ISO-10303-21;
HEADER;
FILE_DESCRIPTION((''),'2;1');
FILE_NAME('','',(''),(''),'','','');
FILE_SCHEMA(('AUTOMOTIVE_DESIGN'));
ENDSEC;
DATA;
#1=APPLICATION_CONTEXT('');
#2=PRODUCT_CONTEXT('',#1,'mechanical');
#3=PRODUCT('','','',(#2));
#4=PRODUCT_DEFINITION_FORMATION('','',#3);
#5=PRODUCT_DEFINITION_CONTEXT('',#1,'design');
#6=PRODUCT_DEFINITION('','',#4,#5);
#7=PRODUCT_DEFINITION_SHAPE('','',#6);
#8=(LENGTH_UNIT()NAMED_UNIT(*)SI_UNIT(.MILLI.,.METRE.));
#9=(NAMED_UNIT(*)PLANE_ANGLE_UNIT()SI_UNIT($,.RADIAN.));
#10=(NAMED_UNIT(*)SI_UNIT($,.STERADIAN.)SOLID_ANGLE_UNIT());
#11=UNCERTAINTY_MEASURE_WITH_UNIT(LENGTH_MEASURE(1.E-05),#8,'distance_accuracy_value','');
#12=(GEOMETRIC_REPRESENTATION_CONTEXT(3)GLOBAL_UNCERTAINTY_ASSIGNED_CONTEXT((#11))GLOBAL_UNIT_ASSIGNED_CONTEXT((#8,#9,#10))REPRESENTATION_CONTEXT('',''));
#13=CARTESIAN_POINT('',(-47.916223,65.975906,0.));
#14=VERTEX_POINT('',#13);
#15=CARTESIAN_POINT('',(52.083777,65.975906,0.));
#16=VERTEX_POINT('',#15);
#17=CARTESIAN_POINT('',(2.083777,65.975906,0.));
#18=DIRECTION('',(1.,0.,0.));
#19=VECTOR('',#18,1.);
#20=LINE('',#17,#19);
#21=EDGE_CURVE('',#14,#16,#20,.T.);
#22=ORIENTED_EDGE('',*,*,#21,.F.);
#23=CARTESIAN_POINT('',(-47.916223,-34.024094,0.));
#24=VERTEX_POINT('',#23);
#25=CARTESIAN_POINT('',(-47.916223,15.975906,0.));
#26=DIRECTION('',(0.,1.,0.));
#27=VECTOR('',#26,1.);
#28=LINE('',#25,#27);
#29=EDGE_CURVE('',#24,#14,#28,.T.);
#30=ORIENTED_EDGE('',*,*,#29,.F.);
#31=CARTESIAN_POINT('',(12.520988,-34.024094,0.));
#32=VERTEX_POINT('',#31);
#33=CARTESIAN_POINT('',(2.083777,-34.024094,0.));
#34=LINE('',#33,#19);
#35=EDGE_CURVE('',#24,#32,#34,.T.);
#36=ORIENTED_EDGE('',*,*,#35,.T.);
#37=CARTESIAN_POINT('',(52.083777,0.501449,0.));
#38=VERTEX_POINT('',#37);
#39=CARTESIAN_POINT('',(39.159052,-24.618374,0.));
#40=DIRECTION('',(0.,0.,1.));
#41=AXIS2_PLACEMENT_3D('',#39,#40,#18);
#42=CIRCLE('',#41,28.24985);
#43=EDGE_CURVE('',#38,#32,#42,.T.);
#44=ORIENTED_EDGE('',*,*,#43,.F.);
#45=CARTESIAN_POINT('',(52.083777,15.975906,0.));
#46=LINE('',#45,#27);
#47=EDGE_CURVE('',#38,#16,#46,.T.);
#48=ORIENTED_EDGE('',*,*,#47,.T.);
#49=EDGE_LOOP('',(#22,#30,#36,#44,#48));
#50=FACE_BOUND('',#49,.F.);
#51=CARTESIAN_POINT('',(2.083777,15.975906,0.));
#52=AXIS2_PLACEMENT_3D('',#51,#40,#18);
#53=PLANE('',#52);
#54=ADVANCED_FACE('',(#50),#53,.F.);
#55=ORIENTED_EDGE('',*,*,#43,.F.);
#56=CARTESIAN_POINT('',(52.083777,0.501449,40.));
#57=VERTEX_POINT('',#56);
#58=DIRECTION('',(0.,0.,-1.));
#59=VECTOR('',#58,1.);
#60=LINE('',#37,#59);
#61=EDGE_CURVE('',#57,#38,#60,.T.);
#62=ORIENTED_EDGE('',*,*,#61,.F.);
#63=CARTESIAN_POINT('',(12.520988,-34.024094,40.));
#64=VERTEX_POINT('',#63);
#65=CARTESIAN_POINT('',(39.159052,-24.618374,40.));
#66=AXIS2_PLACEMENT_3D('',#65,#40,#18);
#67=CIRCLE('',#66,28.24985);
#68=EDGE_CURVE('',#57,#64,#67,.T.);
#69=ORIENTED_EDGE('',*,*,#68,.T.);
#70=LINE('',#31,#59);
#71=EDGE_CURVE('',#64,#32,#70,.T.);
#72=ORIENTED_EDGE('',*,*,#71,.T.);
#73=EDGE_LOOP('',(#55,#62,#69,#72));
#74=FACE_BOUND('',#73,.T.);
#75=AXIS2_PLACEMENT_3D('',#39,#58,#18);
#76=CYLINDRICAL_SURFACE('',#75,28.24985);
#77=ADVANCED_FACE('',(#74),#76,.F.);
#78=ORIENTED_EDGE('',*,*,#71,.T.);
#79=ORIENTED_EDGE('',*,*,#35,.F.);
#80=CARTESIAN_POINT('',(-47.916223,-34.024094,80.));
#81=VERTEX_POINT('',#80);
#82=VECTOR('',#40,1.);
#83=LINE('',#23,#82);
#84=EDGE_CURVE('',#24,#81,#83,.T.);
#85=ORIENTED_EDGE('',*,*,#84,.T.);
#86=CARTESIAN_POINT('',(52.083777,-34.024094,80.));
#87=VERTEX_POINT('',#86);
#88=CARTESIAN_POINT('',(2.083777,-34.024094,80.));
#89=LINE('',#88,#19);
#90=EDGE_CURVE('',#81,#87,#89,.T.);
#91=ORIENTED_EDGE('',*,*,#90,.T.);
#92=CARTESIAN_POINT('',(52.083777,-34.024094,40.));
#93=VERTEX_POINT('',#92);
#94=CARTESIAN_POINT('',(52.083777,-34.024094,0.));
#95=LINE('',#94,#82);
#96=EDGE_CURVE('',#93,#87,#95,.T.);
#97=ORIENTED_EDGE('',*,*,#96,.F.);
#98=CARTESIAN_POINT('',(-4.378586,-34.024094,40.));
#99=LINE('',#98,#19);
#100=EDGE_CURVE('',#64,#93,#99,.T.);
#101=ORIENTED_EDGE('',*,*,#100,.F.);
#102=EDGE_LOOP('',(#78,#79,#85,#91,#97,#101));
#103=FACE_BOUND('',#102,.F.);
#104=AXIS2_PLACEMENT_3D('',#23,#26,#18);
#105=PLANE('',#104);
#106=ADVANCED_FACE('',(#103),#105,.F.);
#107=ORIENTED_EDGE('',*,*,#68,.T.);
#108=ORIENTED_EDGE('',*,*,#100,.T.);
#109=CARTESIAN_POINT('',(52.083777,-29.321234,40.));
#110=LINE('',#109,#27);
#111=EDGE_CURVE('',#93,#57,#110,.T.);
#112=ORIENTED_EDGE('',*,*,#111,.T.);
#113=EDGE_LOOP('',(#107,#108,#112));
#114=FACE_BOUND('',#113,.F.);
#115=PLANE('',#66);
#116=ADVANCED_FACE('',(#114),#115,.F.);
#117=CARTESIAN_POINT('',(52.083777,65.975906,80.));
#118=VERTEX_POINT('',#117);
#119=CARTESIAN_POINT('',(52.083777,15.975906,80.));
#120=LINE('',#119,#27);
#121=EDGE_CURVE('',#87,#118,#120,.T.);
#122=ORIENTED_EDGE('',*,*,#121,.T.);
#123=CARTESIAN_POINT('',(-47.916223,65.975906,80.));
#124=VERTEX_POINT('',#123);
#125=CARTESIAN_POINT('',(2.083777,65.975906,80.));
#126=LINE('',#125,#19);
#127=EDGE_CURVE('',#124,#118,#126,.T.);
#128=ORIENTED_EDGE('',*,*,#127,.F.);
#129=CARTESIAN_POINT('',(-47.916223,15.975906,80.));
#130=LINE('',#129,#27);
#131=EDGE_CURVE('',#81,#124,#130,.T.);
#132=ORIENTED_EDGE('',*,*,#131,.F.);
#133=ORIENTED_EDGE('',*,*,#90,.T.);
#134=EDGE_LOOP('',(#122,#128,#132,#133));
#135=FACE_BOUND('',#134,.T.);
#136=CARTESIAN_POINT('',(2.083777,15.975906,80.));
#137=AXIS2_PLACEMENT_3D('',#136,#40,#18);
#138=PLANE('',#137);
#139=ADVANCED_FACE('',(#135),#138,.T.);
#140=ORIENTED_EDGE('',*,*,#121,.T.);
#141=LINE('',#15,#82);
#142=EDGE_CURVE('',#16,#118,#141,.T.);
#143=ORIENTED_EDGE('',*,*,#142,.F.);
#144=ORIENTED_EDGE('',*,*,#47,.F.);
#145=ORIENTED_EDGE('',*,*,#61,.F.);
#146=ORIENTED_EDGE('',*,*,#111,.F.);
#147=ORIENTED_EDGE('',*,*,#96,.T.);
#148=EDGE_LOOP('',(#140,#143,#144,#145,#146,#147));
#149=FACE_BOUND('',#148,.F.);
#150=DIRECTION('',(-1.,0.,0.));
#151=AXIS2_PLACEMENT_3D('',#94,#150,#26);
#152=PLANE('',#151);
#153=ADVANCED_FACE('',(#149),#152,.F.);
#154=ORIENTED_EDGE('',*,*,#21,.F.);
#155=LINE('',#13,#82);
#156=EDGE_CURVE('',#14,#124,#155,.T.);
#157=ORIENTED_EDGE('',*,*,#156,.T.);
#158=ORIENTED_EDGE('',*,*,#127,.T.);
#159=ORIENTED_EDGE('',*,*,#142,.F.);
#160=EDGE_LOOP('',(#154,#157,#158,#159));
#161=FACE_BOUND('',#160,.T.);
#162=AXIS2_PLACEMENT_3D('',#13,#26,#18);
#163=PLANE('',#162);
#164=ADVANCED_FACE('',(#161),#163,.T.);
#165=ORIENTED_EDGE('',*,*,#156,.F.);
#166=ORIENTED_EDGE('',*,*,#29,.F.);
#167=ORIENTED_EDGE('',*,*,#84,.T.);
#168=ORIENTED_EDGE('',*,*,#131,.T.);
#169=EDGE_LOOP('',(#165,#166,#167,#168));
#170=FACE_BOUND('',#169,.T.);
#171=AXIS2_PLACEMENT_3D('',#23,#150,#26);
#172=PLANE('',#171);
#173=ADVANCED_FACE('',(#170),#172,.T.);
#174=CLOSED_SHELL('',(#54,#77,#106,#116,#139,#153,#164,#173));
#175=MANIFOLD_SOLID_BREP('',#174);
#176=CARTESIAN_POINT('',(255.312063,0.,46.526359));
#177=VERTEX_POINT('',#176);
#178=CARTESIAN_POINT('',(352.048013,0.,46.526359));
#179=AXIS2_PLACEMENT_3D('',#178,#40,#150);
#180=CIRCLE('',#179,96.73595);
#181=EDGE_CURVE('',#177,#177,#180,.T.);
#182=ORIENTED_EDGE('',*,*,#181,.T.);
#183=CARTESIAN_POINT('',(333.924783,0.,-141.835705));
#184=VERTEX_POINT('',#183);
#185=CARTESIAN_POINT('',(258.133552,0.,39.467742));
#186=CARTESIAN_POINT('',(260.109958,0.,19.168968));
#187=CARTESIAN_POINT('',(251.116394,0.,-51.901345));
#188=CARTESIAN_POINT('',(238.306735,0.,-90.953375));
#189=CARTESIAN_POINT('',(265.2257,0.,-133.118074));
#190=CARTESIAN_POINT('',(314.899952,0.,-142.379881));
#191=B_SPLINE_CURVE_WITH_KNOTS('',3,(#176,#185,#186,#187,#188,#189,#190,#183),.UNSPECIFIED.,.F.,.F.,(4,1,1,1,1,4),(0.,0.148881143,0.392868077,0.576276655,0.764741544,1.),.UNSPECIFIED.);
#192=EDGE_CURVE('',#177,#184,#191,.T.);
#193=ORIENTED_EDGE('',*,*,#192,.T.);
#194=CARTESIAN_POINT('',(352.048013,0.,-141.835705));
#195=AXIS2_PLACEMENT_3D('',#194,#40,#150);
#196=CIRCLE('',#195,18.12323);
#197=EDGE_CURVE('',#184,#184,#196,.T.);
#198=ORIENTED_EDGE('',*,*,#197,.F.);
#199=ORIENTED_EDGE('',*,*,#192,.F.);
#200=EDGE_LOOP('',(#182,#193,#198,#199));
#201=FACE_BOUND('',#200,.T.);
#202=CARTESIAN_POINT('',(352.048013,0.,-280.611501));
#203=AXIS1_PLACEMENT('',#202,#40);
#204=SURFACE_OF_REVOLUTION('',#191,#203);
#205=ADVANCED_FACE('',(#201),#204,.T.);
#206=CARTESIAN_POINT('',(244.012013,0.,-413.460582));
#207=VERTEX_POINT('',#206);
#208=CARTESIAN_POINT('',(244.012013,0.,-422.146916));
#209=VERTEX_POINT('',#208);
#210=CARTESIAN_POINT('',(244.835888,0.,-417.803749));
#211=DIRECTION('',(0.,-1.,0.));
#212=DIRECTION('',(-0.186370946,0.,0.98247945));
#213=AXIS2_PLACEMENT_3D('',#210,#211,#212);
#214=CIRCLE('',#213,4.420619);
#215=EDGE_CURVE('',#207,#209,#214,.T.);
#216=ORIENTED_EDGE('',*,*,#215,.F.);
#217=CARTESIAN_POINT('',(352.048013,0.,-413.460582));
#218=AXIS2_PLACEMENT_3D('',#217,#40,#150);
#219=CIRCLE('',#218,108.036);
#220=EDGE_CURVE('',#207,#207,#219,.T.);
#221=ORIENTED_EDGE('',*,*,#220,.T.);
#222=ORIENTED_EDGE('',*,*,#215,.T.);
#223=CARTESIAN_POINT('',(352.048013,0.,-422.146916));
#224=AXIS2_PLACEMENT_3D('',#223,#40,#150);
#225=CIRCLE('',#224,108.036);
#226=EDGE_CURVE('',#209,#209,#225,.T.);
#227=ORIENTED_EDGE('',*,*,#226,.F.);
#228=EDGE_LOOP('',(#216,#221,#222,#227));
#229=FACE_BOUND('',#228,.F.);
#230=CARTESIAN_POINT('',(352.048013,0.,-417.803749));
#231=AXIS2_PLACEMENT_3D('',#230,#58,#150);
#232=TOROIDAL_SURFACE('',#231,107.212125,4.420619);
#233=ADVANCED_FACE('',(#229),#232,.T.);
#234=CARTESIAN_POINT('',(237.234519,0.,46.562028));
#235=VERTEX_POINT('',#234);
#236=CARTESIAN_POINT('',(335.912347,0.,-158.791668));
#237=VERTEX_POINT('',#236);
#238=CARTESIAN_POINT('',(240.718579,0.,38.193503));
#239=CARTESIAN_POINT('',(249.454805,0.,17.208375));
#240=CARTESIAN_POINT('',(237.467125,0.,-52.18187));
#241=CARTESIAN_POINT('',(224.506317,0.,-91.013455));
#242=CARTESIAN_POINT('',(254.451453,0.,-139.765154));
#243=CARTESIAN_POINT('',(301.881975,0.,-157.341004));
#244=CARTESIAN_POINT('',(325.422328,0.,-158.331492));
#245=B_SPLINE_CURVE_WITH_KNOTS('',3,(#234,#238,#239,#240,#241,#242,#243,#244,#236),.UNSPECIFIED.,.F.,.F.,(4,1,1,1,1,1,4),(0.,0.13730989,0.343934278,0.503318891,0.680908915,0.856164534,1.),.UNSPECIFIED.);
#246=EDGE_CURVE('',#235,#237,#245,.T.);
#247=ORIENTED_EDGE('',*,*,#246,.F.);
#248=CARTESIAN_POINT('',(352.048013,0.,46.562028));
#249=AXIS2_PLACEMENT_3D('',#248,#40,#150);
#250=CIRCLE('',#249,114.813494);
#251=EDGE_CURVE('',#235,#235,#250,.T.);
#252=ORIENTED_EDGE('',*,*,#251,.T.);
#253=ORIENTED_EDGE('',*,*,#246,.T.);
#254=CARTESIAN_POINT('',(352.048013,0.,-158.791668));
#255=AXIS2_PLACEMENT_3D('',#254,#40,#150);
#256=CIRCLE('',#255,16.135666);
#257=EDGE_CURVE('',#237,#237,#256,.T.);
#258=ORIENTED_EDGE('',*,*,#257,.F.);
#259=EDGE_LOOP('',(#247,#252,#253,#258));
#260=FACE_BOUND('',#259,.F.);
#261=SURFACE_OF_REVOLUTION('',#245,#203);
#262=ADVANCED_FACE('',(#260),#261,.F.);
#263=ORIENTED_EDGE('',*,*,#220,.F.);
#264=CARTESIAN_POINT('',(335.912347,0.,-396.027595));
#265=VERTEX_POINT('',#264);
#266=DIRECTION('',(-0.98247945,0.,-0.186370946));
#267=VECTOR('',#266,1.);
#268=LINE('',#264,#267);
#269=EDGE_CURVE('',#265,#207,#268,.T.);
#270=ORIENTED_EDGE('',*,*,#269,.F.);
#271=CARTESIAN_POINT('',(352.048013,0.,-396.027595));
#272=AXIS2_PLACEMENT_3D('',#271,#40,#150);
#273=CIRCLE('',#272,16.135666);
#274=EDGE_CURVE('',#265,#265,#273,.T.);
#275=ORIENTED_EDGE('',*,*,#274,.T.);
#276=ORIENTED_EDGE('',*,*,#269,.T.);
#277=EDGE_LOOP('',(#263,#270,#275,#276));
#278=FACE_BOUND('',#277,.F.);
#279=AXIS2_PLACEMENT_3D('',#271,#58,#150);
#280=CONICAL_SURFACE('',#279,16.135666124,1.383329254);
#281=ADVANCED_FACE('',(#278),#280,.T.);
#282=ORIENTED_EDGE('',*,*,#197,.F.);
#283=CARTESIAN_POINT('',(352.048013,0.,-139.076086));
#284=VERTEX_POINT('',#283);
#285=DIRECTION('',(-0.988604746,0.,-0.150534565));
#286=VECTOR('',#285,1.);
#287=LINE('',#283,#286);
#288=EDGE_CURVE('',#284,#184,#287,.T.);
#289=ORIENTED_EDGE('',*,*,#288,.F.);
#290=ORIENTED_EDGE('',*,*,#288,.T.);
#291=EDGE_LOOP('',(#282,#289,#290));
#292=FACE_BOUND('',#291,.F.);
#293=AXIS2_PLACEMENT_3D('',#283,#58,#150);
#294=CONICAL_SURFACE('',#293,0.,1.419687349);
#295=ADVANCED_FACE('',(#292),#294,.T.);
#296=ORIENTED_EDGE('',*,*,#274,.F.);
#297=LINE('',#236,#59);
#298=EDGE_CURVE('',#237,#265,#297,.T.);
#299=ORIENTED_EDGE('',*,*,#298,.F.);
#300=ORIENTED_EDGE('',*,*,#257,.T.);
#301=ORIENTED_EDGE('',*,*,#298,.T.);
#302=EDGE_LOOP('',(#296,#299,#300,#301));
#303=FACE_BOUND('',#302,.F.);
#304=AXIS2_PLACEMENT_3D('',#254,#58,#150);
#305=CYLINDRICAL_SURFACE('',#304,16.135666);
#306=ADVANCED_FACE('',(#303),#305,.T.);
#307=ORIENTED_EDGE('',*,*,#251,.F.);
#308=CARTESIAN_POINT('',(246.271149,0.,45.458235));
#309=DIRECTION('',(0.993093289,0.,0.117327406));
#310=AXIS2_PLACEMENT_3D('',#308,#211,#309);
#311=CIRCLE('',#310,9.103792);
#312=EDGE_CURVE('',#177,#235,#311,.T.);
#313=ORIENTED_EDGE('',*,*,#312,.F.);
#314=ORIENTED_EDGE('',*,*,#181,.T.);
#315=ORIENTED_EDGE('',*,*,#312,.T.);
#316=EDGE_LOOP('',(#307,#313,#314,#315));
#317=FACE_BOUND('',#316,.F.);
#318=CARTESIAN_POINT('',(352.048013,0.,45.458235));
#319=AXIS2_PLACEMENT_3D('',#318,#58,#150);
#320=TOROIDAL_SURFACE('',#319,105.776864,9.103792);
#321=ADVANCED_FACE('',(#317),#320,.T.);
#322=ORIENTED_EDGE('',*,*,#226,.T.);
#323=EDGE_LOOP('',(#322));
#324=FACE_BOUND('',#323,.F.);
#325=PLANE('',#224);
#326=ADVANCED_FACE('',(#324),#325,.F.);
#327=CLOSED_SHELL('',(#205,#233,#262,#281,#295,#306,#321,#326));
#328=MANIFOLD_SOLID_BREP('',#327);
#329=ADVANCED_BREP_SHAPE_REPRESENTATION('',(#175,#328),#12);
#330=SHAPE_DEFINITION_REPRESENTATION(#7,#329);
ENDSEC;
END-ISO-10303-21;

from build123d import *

# Parameters (mm, degrees)
F1_W     = 100
F1_H     = 100
F2_DEPTH = 80
F3_R     = 28.2498500024
F4_DEPTH = 40


with BuildPart() as f2:
    # F1 (on Top) → F2 (new body)
    with BuildSketch(Plane.XY):
        with Locations((2.0837765187, 15.9759061128)):
            Rectangle(F1_W, F1_H)
    extrude(amount=F2_DEPTH)

    # F3 (on Top) → F4 (cut)
    with BuildSketch(Plane.XY):
        with Locations((39.159052074, -24.6183741838)):
            Circle(F3_R)
    extrude(amount=F4_DEPTH, mode=Mode.SUBTRACT)


with BuildPart() as f6:
    # F5 (on Front) → F6 (revolve)
    with BuildSketch(Plane.XZ):
        with BuildLine():
            ThreePointArc((255.3120633346, 46.5263593917), (246.2891110646, 54.5620092861), (237.2345194023, 46.5620276159))
            add(Edge.make_bspline(
                [(237.2345194023, 46.5620276159), (240.7185791763, 38.1935033491), (249.4548051669, 17.2083751622), (237.4671252071, -52.1818704353), (224.5063168451, -91.0134548285), (254.451452612, -139.7651544369), (301.8819749036, -157.3410038212), (325.4223280567, -158.3314920932), (335.9123468399, -158.7916682833)],
                knots=[0, 0, 0, 0, 0.1373098904, 0.3439342784, 0.5033188906, 0.6809089145, 0.8561645338, 1, 1, 1, 1], degree=3))
            Line((335.9123468399, -158.7916682833), (335.9123468399, -396.0275948048))
            Line((335.9123468399, -396.0275948048), (244.0120130777, -413.4605824947))
            ThreePointArc((244.0120130777, -413.4605824947), (240.4152693368, -417.8037494421), (244.0120130777, -422.1469163895))
            Line((244.0120130777, -422.1469163895), (352.048012964, -422.1469163895))
            Line((352.048012964, -422.1469163895), (352.048012964, -139.0760858525))
            Line((352.048012964, -139.0760858525), (333.9247831067, -141.8357049405))
            add(Edge.make_bspline(
                [(255.3120633346, 46.5263593917), (258.1335518201, 39.4677424254), (260.1099584052, 19.1689678863), (251.116394426, -51.9013450724), (238.3067345809, -90.95337545), (265.2257003056, -133.1180735561), (314.899951954, -142.3798810503), (333.9247831067, -141.8357049405)],
                knots=[0, 0, 0, 0, 0.1488811429, 0.392868077, 0.576276655, 0.7647415438, 1, 1, 1, 1], degree=3))
        make_face()
    revolve(axis=Axis((352.048012964, 0, -280.611501121), (0, 0, 1)))


solid = Compound([f2.part, f6.part])
